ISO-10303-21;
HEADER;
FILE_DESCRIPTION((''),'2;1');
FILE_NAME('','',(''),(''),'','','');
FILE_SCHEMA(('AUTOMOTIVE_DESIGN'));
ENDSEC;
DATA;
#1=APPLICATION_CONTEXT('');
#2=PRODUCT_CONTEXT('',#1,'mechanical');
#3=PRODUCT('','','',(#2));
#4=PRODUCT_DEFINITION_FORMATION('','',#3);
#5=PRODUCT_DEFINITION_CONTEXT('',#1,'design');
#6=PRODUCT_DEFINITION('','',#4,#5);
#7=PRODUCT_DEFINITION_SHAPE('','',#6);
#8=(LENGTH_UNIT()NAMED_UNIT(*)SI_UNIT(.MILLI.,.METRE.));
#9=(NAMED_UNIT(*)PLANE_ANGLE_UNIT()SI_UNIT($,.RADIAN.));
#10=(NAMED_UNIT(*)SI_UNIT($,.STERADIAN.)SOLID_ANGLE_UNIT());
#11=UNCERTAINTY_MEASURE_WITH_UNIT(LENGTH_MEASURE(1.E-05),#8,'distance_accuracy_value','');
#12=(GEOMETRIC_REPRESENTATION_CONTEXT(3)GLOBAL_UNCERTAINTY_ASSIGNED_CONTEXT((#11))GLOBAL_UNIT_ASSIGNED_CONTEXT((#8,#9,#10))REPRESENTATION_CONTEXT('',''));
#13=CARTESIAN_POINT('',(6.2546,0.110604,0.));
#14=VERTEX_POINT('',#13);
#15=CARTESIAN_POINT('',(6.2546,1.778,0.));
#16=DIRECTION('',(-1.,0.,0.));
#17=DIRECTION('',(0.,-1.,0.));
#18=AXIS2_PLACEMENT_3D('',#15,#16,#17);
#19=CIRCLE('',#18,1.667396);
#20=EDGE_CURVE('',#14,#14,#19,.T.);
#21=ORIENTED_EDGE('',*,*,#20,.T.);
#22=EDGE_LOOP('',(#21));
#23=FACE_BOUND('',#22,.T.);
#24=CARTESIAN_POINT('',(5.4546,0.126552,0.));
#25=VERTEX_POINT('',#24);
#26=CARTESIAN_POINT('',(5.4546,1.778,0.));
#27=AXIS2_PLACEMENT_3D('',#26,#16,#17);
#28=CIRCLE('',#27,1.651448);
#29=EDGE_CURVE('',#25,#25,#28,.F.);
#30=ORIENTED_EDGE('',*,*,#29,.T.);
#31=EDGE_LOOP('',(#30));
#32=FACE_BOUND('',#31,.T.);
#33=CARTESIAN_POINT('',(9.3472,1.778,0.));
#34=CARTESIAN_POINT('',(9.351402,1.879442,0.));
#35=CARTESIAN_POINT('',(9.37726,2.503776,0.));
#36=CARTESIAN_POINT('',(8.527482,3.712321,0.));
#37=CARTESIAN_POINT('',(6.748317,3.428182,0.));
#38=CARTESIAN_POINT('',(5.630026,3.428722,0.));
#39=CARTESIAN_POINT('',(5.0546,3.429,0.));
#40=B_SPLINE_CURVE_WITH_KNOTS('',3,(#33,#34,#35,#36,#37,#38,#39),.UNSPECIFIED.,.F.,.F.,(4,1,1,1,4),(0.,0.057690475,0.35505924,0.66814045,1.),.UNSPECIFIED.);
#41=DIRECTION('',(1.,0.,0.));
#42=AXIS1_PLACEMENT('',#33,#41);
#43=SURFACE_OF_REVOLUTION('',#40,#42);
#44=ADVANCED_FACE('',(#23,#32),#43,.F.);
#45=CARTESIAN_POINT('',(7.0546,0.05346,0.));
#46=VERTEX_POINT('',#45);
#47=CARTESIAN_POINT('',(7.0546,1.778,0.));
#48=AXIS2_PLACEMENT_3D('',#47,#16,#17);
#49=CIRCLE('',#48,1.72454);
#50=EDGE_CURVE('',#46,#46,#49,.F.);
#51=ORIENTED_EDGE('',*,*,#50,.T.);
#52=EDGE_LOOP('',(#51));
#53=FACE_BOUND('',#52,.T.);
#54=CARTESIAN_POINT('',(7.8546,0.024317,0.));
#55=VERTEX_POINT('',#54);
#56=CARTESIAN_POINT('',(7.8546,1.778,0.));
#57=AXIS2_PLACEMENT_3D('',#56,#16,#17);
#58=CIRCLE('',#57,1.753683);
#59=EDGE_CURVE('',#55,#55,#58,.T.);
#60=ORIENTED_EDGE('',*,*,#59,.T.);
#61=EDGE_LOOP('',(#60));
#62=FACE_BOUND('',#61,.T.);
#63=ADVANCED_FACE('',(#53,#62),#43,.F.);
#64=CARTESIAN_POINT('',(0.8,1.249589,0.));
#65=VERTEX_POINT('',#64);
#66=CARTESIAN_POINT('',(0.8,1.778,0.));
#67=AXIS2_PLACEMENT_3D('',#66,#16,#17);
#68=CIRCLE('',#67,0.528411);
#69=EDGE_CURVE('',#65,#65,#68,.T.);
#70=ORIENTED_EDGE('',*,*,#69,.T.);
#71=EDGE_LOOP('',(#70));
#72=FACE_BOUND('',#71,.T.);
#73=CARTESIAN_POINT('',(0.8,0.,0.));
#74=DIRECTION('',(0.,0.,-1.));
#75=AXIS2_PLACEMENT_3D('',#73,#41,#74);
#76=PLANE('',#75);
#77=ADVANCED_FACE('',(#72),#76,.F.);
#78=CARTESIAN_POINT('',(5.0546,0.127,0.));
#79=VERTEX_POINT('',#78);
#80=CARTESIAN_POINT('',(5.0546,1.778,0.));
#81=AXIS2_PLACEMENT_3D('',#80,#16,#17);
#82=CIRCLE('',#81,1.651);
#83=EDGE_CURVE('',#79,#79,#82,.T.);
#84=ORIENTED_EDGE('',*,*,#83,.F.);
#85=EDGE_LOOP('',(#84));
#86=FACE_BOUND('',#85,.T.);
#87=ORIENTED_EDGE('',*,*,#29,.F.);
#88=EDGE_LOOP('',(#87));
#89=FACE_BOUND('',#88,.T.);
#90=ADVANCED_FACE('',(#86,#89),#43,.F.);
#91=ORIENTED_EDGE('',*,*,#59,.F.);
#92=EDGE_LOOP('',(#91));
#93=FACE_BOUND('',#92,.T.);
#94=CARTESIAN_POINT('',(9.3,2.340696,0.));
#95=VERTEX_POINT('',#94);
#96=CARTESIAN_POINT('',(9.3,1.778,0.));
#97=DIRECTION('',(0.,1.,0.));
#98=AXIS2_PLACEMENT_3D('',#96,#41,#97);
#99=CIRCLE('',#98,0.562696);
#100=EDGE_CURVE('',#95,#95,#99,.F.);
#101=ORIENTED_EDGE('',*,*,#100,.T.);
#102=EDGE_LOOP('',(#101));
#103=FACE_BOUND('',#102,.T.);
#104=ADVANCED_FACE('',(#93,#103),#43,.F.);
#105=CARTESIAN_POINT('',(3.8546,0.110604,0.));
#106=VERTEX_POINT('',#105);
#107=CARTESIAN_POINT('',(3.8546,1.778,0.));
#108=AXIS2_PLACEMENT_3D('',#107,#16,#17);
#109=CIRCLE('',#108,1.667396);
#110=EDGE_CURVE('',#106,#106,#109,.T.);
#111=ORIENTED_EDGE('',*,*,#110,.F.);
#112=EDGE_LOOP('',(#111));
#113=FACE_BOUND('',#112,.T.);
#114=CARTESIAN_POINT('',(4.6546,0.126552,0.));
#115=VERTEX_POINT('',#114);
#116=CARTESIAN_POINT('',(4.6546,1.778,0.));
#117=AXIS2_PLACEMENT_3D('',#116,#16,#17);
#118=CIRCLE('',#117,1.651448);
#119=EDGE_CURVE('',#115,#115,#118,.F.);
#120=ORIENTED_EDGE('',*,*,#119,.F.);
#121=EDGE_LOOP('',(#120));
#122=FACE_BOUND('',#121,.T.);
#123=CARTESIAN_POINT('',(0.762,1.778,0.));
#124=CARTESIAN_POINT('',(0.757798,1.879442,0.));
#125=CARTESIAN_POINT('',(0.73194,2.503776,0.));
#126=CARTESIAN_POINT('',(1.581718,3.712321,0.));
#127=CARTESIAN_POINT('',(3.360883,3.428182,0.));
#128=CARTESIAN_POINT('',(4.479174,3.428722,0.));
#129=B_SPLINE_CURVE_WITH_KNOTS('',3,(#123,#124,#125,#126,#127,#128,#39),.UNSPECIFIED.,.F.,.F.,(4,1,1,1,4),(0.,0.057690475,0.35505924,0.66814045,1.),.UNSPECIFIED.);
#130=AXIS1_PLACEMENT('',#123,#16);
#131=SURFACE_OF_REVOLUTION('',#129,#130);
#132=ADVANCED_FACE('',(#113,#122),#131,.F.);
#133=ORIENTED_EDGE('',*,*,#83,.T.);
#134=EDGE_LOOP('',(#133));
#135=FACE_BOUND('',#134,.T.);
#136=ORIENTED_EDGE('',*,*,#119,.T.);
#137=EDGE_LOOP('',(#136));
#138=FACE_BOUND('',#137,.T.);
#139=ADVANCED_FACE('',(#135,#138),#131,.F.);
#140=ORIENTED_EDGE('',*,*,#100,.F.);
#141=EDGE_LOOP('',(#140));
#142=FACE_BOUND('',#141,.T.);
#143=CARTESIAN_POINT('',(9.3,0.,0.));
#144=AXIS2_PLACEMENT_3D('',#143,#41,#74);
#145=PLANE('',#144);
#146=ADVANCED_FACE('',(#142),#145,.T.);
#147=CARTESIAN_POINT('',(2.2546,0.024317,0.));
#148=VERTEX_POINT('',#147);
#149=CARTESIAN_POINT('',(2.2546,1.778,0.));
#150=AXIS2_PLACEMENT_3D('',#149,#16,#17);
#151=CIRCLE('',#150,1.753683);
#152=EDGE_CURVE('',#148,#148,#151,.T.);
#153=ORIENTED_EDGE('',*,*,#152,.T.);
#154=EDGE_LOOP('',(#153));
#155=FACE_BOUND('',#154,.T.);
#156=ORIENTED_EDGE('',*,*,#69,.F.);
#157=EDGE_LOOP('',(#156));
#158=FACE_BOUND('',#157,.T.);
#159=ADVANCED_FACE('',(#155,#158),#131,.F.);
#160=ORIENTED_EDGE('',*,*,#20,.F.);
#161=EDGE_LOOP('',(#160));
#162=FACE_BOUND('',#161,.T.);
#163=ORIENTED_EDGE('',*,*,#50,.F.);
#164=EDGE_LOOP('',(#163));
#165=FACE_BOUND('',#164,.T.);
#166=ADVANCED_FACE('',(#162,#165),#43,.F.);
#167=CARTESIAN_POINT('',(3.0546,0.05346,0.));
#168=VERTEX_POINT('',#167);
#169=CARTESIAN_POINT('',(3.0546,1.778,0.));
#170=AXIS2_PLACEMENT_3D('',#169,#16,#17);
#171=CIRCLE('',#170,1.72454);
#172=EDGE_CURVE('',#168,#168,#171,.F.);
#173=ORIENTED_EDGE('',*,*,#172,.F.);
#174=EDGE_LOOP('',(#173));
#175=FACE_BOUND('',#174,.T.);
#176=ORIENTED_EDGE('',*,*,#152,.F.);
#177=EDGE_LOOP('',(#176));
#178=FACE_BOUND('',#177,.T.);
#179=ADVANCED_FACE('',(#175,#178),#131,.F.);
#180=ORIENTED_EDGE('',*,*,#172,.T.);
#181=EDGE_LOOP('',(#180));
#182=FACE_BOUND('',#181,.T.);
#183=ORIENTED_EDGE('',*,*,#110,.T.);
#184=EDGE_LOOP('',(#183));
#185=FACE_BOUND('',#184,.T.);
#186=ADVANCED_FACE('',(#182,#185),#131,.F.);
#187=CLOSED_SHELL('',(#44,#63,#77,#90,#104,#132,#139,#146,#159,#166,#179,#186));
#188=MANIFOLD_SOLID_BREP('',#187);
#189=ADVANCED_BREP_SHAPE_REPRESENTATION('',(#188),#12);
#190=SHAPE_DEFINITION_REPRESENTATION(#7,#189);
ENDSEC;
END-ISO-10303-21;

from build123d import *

# Parameters (mm, degrees)
SKETCH3_R          = 0.30479999999999996
SKETCH8_R          = 6.164171136290504
CUT_EXTRUDE1_DEPTH = 11.394859843298219
CUT_EXTRUDE2_START = 8.5
SKETCH8_2_R        = 6.164171136290504
CUT_EXTRUDE2_DEPTH = 2.894859843298219


with BuildPart() as part:
    # Base-Sweep: sweep along a path in Sketch1
    with BuildLine(Plane.XY) as base_sweep_path:
        Line((0, -2.54), (0, 1.016))
        ThreePointArc((0, 1.016), (0.22318463273585087, 1.5548153672641494), (0.762, 1.778))
    # Sketch3 → Base-Sweep (sweep)
    with BuildSketch(Plane(origin=(0, -2.54, 0), x_dir=(-1, 0, 0), z_dir=(0, 1, 0))):
        Circle(SKETCH3_R)
    sweep(path=base_sweep_path.line)

    # Sketch4 → Boss-Revolve1 (revolve)
    with BuildSketch(Plane.XY):
        with BuildLine():
            Line((5.054600000000001, 3.4290000000000003), (5.054600000000001, 1.778))
            Line((5.054600000000001, 1.778), (0.7619999999999998, 1.7779999999999996))
            add(Edge.make_bspline(
                [(0.7619999999999998, 1.7779999999999996), (0.7577984811626078, 1.8794424331425004), (0.7319399994614139, 2.503775538065161), (1.5817178580203402, 3.712321469151558), (3.3608825764965076, 3.428182395478029), (4.479173993062019, 3.428722225857275), (5.054600000000001, 3.4290000000000003)],
                knots=[0, 0, 0, 0, 0.05769047479405517, 0.3550592403677721, 0.668140450217807, 1, 1, 1, 1], degree=3))
        make_face()
    revolve(axis=Axis((0.7619999999999998, 1.7779999999999996, 0), (1, 1e-16, 0)))

    # Boss-Mirror1: part across plane


with BuildPart() as part_1:
    add(part.part)
    add(part.part.mirror(Plane(origin=(5.054600000000001, 3.4290000000000003, 0), x_dir=(0, 0, 1), z_dir=(1, 1e-16, 0))))

    # Sketch8 → Cut-Extrude1 (cut, through all)
    with BuildSketch(Plane(origin=(0.8, 0, 0), x_dir=(0, 0, -1), z_dir=(1, 0, 0))):
        Circle(SKETCH8_R)
    extrude(amount=-CUT_EXTRUDE1_DEPTH, mode=Mode.SUBTRACT)

    # Sketch8<2> → Cut-Extrude2 (cut, through all)
    with BuildSketch(Plane(origin=(0.8, 0, 0), x_dir=(0, 0, -1), z_dir=(1, 0, 0)).offset(CUT_EXTRUDE2_START)):
        Circle(SKETCH8_2_R)
    extrude(amount=CUT_EXTRUDE2_DEPTH, mode=Mode.SUBTRACT)


solid = part_1.part
